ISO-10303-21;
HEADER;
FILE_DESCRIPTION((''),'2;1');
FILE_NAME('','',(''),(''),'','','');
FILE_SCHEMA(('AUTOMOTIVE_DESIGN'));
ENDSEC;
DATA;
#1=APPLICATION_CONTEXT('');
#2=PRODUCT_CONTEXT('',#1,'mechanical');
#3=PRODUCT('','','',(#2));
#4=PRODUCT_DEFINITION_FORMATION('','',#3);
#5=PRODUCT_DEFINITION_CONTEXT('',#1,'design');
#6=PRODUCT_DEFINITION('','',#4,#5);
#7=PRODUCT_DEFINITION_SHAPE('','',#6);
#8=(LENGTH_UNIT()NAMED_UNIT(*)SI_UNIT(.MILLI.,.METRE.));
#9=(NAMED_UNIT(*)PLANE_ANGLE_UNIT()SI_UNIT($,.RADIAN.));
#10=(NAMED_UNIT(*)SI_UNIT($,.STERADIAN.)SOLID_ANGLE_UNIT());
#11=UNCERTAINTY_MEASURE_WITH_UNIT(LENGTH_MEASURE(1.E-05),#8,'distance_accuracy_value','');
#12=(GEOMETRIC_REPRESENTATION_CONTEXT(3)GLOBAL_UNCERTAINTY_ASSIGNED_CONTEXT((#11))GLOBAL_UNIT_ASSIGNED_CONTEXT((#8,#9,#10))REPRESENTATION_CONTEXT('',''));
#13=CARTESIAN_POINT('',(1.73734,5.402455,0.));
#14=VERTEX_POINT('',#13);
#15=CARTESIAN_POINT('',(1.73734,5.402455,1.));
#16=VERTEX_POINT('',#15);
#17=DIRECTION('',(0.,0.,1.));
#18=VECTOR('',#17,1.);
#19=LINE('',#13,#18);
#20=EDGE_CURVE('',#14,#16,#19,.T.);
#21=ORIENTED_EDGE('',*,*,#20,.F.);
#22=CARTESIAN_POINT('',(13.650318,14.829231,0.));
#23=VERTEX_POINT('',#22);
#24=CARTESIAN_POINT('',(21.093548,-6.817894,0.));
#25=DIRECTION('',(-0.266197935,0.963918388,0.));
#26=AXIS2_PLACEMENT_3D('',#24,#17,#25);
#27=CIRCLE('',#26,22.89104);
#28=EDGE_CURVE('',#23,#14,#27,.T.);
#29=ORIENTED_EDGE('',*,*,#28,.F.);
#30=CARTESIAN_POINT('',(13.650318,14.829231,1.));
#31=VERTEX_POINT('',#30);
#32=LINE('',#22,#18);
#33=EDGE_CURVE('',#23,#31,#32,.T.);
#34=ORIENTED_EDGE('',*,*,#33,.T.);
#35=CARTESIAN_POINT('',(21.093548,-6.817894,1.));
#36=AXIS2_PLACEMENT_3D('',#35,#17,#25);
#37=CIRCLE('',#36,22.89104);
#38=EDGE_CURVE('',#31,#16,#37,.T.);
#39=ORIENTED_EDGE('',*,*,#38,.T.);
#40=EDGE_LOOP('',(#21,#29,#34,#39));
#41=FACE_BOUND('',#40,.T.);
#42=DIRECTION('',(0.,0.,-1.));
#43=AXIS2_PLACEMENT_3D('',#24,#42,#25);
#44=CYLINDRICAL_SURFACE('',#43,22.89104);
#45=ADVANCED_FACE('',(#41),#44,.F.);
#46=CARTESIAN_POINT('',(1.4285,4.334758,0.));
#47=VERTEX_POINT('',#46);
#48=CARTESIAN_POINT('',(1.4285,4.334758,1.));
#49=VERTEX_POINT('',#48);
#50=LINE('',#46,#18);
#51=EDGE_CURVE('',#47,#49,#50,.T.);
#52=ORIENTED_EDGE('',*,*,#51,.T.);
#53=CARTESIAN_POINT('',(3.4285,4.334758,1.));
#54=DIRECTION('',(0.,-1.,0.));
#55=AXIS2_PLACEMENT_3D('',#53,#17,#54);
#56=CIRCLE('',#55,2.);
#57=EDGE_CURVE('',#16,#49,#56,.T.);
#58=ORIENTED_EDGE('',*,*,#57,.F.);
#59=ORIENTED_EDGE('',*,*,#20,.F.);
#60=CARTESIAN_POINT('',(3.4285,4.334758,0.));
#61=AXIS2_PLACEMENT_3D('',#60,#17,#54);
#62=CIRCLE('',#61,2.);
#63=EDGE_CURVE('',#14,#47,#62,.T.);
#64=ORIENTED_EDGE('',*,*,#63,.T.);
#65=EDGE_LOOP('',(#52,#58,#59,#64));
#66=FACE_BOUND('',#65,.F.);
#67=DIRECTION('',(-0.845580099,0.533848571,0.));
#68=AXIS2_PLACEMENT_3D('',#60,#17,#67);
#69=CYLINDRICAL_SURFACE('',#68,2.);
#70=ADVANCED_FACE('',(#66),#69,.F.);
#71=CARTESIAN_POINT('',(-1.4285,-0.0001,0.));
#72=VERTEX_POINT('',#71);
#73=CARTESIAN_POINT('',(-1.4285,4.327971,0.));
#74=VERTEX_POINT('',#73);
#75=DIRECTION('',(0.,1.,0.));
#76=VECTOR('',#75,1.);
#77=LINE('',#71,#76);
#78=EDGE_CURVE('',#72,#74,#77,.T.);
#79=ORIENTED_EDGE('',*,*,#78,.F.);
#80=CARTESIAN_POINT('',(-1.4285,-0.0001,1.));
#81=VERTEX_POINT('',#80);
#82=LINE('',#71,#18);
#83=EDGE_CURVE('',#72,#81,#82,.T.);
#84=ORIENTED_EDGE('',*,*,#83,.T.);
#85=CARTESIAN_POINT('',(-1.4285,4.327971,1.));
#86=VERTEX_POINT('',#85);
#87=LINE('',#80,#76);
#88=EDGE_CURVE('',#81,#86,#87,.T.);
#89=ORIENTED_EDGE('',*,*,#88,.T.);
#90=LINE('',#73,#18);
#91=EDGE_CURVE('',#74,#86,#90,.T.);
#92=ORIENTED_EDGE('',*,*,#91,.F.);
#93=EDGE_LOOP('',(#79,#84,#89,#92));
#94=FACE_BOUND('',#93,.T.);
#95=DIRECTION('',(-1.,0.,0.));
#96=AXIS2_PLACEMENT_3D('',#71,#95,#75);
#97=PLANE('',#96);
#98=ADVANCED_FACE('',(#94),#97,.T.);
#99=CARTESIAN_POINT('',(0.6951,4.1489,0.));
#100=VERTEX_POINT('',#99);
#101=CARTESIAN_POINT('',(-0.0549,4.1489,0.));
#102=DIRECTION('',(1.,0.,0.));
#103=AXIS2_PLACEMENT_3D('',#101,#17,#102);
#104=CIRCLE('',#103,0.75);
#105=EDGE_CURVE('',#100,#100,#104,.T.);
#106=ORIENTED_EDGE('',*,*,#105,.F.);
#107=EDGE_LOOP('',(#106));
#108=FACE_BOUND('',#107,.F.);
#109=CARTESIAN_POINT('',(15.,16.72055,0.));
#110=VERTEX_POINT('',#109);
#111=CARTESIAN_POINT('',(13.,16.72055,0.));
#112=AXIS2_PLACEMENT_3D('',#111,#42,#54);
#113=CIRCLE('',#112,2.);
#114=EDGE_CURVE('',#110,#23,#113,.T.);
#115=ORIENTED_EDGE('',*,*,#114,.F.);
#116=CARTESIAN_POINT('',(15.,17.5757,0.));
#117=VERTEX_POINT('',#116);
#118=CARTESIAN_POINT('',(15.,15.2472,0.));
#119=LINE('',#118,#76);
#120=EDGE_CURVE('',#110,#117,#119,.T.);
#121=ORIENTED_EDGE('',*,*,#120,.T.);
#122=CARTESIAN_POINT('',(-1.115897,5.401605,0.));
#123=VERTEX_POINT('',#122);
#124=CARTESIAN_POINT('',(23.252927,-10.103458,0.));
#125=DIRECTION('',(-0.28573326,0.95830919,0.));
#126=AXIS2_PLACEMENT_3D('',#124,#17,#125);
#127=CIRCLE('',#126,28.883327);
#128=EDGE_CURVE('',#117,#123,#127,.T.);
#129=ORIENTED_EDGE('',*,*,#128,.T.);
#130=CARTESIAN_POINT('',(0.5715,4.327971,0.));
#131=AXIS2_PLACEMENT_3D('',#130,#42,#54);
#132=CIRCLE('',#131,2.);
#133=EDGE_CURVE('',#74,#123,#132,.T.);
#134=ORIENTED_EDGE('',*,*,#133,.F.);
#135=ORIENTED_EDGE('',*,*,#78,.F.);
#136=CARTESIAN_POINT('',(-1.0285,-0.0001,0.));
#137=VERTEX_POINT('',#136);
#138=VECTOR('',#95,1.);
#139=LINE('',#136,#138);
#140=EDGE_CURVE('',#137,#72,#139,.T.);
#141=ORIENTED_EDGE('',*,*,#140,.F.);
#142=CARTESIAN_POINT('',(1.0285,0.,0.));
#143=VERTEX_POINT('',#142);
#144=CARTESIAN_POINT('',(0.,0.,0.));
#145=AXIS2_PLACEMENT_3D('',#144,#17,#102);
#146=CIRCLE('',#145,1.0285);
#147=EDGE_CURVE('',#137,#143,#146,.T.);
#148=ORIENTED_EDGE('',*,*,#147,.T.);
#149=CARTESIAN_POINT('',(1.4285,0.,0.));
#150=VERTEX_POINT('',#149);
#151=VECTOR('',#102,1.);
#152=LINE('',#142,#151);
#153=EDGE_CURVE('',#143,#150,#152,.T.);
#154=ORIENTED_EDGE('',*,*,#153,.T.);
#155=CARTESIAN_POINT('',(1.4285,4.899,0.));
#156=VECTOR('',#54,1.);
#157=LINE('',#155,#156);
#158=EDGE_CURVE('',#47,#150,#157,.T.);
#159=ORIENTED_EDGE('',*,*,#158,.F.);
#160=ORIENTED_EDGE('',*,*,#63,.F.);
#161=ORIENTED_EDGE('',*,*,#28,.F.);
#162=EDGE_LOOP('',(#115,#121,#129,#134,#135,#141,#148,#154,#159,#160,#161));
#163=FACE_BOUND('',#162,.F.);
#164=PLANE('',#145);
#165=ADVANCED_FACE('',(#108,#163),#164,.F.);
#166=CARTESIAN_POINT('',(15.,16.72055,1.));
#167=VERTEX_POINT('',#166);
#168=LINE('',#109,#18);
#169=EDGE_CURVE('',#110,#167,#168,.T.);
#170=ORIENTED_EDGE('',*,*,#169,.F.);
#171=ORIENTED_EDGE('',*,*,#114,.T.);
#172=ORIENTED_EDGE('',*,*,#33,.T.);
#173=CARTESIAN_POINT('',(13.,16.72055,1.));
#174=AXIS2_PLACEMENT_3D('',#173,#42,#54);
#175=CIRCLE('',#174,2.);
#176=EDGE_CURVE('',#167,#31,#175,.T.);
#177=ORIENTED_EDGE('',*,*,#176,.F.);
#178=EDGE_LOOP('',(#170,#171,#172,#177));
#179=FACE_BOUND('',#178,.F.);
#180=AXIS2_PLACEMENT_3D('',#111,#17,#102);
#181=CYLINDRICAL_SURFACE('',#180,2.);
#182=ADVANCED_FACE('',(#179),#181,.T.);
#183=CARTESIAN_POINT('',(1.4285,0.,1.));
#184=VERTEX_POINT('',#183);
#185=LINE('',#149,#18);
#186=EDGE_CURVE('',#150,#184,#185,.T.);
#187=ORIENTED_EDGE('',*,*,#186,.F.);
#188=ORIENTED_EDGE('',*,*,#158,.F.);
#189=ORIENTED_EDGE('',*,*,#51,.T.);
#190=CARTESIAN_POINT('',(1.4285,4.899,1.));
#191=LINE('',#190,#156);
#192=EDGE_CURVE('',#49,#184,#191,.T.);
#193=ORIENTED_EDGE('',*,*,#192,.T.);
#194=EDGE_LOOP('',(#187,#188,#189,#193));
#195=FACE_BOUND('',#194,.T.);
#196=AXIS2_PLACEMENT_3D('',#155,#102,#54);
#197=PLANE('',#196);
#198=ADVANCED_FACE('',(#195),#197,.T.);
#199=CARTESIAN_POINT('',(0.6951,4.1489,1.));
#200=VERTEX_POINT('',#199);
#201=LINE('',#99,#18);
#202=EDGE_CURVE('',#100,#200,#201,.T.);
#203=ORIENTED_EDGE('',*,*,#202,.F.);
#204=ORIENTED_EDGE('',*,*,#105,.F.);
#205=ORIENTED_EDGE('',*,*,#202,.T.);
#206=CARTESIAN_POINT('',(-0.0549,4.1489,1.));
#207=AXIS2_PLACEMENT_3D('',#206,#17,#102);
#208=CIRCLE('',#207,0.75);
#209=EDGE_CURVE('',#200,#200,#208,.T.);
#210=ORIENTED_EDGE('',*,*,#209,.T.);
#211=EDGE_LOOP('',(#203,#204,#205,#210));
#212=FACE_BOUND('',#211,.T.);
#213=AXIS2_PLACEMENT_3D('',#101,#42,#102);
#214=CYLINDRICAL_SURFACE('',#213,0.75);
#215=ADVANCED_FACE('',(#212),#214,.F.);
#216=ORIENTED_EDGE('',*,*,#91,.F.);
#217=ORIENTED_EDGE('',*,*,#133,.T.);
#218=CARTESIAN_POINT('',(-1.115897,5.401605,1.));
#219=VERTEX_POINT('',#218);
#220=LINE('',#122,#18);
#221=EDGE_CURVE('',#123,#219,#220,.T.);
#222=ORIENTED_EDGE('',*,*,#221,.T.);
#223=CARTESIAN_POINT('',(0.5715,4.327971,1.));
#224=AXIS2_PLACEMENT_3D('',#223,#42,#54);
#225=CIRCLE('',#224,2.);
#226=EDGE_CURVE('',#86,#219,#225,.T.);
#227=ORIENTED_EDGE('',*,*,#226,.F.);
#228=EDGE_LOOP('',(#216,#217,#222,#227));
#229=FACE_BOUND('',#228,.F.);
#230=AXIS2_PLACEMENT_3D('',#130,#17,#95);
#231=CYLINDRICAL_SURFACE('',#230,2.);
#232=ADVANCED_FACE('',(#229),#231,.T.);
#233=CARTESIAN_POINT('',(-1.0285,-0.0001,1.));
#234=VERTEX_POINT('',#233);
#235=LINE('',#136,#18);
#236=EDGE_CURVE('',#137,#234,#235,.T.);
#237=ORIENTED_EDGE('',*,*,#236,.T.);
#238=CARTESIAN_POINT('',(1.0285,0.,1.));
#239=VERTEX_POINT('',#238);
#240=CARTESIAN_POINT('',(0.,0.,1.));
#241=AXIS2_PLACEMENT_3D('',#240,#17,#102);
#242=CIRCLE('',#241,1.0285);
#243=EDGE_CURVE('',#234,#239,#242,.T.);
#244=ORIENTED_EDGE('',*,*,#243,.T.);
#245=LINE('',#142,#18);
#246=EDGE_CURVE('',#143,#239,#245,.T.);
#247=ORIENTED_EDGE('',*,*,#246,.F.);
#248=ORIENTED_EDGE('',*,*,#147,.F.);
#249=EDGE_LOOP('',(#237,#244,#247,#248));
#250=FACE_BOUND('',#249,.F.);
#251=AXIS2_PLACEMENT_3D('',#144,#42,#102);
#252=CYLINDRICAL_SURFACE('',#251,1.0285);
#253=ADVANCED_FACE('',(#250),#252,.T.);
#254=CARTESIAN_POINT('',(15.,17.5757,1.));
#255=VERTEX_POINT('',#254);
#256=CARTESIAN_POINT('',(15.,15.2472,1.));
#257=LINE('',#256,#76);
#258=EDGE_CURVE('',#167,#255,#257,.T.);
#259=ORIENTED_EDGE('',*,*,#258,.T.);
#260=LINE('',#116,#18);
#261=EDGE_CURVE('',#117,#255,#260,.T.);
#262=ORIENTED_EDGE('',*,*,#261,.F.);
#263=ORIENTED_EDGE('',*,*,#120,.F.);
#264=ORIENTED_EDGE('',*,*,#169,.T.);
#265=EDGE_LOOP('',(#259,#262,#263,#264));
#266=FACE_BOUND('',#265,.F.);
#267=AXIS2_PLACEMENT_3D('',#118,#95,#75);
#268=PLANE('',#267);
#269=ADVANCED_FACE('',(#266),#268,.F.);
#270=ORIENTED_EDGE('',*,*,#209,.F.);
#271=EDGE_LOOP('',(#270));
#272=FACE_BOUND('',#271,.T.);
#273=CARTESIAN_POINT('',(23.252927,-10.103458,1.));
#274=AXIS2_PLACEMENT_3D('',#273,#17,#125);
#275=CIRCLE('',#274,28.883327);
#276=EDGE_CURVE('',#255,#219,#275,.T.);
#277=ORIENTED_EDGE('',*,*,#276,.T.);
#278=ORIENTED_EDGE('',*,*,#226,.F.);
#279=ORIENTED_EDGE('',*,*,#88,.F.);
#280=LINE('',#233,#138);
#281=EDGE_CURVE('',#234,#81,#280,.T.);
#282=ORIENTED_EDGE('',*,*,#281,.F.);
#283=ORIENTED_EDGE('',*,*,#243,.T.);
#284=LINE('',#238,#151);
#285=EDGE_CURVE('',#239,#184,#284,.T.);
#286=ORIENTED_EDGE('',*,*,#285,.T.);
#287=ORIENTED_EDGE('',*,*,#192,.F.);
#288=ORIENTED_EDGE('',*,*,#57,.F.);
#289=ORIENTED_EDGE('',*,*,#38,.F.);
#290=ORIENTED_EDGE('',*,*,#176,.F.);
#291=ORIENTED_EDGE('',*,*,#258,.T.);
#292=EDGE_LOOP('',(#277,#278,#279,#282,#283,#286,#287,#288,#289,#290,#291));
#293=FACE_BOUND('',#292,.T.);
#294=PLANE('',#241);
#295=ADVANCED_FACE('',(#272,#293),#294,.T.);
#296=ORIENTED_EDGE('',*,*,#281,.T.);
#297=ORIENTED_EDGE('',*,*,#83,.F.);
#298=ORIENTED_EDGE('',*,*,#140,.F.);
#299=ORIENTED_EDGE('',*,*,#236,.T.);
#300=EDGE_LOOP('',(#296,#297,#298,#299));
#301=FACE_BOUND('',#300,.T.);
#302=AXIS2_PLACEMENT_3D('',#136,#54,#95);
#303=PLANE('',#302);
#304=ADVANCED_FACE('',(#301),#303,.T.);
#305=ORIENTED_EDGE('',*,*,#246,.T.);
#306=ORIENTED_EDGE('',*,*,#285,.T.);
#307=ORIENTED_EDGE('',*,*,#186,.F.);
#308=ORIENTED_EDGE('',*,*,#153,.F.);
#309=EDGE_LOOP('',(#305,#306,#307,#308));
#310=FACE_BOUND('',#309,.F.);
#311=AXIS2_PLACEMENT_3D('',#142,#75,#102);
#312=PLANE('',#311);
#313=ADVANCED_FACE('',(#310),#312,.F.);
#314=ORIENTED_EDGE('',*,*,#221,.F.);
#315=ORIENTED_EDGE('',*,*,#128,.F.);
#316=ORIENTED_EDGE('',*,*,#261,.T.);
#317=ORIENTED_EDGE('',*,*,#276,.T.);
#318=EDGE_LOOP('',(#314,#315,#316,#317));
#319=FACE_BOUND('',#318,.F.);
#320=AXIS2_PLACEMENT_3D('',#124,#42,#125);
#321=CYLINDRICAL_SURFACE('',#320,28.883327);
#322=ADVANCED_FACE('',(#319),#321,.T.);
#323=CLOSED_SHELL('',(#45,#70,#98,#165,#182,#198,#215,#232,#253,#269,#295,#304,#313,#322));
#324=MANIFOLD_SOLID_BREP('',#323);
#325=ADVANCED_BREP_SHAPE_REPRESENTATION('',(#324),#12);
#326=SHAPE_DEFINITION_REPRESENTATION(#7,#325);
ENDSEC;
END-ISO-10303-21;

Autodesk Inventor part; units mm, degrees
ref_plane "YZ Plane" through (0, 0, 0) normal (1, 0, 0) x (0, 1, 0)
ref_plane "XZ Plane" through (0, 0, 0) normal (0, 1, 0) x (-1, 0, 0)
ref_plane "XY Plane" through (0, 0, 0) normal (0, 0, 1) x (1, 0, 0)
sketch "Sketch1" plane through (0, 0, 0) normal (0, 0, 1) x (1, 0, 0)
  circle A0 centre (-0.0549, 4.1489) radius 0.75
  line L0 (-1.4285, -0.0001) -> (-1.4285, 4.899)
  line L1 (-1.4285, 4.899) -> (1.4285, 4.899) construction
  line L2 (1.4285, 4.899) -> (1.4285, 0)
  circle A1 centre (0, 0) radius 1.0285
  line L3 (-1.0285, -0.0001) -> (-1.4285, -0.0001)
  line L4 (1.0285, 0) -> (1.4285, 0)
  line L5 (0, 0) -> (15, 0)
  arc A2 (15, 17.5757) -> (-1.4285, 4.899) centre (23.253, -10.1036) ccw
  arc A3 (15, 15.2472) -> (1.4285, 4.899) centre (21.0936, -6.818) ccw
  line L6 (15, 15.2472) -> (15, 17.5757)
  point P0 (0.0155, 4.8988)
  dimension "d6" = 1.5
  dimension "d28" = 2.057
  dimension "d29" = 0.4
  dimension "d30" = 0.4
  dimension "d33" = 15
extrude "Extrusion1" add sketch "Sketch1" along normal blind 1 contours L0 A2 L6 A3 L2 L4 A1 L3
extrude "Extrusion2" add sketch "Sketch1" along normal blind 1 contours A1
fillet "Fillet5" radius 2 3 edges at (15, 15.2472, 0.5) (-1.4285, 4.899, 0.5) (1.4285, 4.899, 0.5)
properties material "Nickel-Copper Alloy 400"
